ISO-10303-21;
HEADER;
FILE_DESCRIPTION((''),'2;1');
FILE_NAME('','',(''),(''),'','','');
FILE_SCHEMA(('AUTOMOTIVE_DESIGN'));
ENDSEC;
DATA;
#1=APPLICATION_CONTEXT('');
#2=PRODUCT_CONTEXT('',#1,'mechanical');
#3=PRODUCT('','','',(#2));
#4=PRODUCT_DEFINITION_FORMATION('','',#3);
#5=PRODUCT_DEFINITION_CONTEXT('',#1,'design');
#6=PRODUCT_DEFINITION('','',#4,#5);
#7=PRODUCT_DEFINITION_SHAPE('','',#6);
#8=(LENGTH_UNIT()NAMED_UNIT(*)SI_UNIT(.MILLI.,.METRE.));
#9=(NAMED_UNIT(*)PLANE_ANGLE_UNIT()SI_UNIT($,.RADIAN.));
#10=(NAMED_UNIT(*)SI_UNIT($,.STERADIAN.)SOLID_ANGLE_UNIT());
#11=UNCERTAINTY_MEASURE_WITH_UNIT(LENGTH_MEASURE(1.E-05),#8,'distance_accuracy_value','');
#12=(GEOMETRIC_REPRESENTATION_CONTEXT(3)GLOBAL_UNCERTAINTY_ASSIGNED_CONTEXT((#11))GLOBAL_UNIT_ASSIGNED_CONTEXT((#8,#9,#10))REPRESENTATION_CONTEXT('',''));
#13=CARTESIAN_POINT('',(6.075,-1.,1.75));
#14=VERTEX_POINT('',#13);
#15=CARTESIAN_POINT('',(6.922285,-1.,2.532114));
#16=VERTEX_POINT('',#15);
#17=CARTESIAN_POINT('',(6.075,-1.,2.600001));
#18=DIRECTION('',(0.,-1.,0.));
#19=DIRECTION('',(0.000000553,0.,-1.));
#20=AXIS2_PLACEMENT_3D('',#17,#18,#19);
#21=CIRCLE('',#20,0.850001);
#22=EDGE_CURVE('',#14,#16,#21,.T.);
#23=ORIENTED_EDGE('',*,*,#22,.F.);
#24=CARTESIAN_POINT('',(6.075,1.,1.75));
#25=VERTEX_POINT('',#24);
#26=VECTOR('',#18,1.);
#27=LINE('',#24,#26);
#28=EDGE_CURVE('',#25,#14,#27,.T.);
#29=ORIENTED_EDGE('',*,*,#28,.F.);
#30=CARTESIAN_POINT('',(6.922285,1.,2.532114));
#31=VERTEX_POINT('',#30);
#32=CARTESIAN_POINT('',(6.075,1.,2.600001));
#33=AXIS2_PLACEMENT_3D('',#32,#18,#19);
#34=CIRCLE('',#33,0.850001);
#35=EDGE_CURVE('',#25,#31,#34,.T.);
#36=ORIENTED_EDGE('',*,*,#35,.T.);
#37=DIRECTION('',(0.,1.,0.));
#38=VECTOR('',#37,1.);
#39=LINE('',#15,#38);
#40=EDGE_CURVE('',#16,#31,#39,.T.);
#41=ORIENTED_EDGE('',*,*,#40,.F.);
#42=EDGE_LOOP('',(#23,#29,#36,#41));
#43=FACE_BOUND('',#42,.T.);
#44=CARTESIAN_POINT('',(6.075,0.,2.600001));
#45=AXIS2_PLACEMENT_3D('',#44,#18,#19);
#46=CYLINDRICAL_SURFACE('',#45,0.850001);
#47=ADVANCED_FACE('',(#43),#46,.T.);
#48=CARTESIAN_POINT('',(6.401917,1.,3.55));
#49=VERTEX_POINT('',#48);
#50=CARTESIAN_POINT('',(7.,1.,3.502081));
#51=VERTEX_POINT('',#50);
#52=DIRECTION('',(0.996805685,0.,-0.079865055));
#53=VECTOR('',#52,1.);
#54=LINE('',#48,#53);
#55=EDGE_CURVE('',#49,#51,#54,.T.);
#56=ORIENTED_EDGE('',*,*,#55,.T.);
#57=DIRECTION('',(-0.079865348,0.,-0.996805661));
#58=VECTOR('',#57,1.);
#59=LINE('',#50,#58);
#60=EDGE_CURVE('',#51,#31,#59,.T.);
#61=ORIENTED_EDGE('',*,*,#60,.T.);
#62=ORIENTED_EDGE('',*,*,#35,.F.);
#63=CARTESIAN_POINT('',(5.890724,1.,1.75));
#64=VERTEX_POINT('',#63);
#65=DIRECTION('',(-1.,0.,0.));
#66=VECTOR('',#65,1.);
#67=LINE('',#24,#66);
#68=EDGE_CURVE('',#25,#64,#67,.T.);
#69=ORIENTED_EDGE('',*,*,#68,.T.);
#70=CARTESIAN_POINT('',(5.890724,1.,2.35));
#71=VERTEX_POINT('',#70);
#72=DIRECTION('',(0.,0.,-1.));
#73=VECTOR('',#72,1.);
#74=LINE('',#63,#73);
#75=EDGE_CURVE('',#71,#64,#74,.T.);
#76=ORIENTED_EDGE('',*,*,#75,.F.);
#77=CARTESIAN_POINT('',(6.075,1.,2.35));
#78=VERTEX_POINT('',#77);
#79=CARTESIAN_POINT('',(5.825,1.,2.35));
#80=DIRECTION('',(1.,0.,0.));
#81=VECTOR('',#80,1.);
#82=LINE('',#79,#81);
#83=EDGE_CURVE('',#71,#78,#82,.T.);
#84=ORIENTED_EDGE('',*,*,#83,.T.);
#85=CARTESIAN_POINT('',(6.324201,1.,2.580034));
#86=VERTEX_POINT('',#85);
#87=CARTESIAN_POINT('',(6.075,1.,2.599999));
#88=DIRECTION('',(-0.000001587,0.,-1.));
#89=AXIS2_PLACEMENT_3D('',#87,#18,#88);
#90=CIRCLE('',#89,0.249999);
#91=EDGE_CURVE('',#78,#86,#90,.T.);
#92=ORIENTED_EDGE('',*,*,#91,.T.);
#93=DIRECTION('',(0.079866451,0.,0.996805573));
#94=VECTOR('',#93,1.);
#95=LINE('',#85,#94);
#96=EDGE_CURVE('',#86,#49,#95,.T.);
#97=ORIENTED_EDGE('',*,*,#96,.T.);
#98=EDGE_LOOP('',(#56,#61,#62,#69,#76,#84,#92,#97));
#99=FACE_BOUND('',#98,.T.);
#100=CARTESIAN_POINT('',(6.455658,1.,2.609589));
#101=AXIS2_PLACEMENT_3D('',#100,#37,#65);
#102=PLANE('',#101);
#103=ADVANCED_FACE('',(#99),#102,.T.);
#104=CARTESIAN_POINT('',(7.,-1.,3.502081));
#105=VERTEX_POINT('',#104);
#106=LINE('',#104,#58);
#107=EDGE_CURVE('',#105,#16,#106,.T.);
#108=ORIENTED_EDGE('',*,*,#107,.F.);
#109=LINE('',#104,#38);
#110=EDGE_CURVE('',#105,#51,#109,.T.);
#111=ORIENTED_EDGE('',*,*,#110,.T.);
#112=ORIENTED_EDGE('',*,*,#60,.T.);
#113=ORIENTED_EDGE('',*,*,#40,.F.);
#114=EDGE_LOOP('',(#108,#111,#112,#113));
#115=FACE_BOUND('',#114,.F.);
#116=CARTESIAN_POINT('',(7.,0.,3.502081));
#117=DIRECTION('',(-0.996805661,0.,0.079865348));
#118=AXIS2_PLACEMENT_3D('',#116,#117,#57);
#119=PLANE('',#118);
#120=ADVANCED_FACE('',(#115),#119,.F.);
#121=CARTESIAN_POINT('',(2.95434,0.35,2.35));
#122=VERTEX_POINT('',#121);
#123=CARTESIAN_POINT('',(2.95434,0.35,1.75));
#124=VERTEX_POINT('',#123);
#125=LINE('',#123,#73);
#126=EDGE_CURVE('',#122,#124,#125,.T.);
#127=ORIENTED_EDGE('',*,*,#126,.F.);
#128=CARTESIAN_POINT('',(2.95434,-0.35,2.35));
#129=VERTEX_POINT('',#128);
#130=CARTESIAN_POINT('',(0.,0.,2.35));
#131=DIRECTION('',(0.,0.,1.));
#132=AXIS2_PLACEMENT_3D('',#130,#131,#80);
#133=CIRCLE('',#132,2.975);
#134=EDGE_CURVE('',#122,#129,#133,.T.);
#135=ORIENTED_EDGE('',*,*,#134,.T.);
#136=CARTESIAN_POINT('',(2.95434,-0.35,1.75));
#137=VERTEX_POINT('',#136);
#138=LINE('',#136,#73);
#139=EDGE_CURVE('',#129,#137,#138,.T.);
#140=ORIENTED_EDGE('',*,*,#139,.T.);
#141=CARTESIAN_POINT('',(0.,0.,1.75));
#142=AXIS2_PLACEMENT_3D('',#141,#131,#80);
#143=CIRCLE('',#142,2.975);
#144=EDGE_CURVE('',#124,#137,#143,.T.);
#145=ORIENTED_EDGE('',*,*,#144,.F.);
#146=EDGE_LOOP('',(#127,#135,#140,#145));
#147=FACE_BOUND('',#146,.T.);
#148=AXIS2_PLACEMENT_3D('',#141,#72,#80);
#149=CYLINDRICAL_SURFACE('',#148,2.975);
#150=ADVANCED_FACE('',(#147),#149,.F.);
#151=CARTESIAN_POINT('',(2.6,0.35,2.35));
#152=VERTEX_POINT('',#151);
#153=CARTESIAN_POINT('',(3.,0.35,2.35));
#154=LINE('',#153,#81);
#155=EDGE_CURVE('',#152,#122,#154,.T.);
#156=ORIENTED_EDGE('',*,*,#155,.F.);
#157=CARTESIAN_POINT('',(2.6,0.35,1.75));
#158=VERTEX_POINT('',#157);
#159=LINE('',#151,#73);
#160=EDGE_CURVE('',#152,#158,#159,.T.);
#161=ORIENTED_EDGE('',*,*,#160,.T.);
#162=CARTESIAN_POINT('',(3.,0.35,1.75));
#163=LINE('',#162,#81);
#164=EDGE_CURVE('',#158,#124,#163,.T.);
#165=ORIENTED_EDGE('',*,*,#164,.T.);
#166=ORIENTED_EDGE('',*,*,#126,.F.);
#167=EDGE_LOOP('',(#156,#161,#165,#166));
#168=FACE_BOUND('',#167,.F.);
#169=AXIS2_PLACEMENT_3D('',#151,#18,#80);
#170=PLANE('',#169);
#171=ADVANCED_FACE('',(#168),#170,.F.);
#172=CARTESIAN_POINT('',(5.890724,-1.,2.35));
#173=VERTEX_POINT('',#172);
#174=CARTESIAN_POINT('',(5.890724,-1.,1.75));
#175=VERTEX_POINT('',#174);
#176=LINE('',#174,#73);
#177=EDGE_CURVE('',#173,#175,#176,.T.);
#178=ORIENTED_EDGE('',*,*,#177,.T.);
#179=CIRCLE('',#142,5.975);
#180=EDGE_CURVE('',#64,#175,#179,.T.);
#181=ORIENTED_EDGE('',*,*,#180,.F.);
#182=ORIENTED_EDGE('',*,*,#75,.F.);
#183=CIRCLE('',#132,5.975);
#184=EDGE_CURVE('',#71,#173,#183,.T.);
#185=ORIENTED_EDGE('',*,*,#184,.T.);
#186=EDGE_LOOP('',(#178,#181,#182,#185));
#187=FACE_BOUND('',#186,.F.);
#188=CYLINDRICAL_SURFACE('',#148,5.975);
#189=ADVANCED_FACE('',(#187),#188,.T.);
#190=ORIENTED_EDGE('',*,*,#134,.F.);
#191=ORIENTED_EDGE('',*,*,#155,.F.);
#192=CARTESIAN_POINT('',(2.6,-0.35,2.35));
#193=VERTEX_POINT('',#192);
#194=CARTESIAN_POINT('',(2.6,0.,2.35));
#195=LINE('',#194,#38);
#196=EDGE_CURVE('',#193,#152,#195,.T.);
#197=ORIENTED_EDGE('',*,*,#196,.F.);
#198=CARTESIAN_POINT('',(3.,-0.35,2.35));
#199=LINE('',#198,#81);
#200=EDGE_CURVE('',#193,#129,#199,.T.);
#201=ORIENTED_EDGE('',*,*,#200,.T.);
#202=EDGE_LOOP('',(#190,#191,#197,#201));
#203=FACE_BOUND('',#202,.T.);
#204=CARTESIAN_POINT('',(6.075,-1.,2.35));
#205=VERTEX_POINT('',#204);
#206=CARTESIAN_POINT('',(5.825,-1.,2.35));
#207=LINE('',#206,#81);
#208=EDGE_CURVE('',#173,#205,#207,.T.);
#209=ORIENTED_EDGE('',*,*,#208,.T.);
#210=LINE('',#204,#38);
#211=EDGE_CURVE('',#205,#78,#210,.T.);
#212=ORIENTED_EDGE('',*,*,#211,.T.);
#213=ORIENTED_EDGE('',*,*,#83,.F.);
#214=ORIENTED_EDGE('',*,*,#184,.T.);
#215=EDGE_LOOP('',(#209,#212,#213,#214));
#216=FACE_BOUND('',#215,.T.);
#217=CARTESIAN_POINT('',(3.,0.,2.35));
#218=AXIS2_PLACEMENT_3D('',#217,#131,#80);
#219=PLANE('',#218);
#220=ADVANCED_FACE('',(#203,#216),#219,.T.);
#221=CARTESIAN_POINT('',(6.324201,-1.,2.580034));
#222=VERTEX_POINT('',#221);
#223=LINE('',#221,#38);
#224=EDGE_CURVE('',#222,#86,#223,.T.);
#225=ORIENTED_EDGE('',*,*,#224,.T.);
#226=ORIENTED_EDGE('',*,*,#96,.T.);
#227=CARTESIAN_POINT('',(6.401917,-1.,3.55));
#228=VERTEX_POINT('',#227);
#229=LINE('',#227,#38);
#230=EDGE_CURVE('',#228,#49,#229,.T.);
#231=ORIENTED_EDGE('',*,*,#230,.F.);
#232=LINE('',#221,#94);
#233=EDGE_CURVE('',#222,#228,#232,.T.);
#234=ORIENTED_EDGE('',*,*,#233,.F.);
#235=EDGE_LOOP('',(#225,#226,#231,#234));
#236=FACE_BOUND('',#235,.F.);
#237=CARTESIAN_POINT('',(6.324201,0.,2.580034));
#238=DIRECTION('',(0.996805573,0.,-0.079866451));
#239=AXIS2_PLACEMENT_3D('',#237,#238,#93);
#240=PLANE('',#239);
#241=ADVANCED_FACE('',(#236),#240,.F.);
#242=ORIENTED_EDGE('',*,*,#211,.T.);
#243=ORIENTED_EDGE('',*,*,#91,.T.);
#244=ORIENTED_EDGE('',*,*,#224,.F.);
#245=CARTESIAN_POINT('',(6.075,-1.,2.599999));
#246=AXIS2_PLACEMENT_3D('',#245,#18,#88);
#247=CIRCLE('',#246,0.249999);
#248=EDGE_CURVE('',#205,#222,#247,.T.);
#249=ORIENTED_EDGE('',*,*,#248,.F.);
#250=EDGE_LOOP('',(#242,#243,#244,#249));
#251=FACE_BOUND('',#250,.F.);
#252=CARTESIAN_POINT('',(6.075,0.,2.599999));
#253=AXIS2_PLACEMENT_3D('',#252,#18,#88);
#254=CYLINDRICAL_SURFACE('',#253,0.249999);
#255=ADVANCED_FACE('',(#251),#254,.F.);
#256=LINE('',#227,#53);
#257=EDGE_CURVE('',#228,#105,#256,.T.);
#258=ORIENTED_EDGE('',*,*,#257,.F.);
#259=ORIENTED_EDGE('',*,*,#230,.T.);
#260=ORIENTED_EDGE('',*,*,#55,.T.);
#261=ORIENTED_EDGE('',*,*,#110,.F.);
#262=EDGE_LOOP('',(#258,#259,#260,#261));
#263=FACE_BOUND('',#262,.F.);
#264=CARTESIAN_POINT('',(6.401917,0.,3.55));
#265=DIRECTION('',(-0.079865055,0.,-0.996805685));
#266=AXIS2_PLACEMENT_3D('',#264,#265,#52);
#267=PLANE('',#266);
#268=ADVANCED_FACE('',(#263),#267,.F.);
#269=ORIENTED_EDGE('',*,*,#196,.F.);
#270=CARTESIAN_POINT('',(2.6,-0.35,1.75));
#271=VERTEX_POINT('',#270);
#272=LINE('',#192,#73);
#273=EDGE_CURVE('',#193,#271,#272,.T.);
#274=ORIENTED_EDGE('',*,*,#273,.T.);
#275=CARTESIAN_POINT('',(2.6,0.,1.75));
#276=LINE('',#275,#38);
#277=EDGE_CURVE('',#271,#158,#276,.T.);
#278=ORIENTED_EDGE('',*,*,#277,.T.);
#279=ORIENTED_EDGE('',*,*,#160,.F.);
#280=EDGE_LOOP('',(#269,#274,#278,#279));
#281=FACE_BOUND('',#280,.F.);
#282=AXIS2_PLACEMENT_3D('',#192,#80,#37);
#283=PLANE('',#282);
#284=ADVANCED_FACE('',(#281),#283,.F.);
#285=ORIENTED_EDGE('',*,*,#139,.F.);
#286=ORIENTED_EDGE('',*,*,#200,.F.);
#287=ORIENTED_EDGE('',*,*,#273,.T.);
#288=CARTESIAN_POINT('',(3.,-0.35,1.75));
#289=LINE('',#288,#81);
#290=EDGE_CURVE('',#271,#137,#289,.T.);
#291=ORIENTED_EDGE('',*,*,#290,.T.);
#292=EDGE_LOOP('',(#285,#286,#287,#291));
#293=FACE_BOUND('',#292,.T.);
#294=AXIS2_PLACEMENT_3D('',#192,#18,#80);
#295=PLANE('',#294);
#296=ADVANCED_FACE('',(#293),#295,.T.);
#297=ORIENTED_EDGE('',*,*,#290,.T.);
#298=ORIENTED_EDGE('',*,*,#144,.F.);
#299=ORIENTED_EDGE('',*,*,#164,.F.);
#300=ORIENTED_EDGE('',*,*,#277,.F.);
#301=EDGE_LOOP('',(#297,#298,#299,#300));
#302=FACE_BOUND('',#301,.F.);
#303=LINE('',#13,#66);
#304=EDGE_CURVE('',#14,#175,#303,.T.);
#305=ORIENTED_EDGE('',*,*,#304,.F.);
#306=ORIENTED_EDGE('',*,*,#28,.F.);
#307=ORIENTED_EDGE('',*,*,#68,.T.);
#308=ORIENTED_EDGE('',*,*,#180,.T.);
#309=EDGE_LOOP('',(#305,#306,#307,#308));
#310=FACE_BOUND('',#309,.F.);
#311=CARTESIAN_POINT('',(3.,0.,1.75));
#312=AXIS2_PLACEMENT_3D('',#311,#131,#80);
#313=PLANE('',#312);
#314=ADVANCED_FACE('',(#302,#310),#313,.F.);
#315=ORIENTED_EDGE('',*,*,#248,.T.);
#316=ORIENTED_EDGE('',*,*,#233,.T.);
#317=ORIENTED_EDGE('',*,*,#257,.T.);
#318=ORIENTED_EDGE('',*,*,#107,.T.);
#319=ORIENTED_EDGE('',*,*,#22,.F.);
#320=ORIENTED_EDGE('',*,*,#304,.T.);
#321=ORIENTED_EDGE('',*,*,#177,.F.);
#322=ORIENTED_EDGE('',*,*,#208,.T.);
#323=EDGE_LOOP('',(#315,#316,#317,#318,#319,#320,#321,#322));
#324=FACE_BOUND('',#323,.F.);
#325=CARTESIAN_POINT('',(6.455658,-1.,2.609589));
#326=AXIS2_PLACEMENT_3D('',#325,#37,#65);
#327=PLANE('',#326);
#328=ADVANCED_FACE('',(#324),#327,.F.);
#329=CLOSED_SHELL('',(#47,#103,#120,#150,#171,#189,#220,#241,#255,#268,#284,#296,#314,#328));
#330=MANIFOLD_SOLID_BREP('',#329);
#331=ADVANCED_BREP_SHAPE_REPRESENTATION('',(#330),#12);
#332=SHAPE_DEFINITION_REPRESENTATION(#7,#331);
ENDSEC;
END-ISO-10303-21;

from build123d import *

# Parameters (mm, degrees)
SKETCH014_R   = 5.975
SKETCH014_R_2 = 2.975
PAD007_DEPTH  = 0.6
PAD008_DEPTH  = 1
SKETCH016_W   = 0.8
SKETCH016_H   = 0.7
PAD009_DEPTH  = 0.6


with BuildPart() as part:
    # Sketch014 → Pad007 (new body)
    with BuildSketch(Plane.XY):
        Circle(SKETCH014_R)
        Circle(SKETCH014_R_2, mode=Mode.SUBTRACT)
    extrude(amount=PAD007_DEPTH)

    # Sketch015 → Pad008 (join, symmetric)
    with BuildSketch(Plane.XZ):
        with BuildLine():
            Line((5.825, 0.6), (6.075, 0.6))
            ThreePointArc((6.075, 0.6), (6.244571, 0.6663), (6.324201, 0.830034))
            Line((6.324201, 0.830034), (6.401917, 1.8))
            Line((6.401917, 1.8), (7, 1.752081))
            Line((7, 1.752081), (6.922285, 0.782114))
            ThreePointArc((6.075, 0), (6.65154, 0.225419), (6.922285, 0.782114))
            Line((6.075, 0), (5.825, 0))
            Line((5.825, 0), (5.825, 0.6))
        make_face()
    extrude(amount=PAD008_DEPTH, both=True)

    # Sketch016 (on Face11 of Pad008) → Pad009 (join)
    with BuildSketch(Plane.XY.offset(0.6)):
        with Locations((3, 0)):
            Rectangle(SKETCH016_W, SKETCH016_H)
    extrude(amount=-PAD009_DEPTH)


with BuildPart() as part_1:
    # Body005 placement: moved
    add(part.part.moved(Location((0, 0, 1.75))))


solid = part_1.part
